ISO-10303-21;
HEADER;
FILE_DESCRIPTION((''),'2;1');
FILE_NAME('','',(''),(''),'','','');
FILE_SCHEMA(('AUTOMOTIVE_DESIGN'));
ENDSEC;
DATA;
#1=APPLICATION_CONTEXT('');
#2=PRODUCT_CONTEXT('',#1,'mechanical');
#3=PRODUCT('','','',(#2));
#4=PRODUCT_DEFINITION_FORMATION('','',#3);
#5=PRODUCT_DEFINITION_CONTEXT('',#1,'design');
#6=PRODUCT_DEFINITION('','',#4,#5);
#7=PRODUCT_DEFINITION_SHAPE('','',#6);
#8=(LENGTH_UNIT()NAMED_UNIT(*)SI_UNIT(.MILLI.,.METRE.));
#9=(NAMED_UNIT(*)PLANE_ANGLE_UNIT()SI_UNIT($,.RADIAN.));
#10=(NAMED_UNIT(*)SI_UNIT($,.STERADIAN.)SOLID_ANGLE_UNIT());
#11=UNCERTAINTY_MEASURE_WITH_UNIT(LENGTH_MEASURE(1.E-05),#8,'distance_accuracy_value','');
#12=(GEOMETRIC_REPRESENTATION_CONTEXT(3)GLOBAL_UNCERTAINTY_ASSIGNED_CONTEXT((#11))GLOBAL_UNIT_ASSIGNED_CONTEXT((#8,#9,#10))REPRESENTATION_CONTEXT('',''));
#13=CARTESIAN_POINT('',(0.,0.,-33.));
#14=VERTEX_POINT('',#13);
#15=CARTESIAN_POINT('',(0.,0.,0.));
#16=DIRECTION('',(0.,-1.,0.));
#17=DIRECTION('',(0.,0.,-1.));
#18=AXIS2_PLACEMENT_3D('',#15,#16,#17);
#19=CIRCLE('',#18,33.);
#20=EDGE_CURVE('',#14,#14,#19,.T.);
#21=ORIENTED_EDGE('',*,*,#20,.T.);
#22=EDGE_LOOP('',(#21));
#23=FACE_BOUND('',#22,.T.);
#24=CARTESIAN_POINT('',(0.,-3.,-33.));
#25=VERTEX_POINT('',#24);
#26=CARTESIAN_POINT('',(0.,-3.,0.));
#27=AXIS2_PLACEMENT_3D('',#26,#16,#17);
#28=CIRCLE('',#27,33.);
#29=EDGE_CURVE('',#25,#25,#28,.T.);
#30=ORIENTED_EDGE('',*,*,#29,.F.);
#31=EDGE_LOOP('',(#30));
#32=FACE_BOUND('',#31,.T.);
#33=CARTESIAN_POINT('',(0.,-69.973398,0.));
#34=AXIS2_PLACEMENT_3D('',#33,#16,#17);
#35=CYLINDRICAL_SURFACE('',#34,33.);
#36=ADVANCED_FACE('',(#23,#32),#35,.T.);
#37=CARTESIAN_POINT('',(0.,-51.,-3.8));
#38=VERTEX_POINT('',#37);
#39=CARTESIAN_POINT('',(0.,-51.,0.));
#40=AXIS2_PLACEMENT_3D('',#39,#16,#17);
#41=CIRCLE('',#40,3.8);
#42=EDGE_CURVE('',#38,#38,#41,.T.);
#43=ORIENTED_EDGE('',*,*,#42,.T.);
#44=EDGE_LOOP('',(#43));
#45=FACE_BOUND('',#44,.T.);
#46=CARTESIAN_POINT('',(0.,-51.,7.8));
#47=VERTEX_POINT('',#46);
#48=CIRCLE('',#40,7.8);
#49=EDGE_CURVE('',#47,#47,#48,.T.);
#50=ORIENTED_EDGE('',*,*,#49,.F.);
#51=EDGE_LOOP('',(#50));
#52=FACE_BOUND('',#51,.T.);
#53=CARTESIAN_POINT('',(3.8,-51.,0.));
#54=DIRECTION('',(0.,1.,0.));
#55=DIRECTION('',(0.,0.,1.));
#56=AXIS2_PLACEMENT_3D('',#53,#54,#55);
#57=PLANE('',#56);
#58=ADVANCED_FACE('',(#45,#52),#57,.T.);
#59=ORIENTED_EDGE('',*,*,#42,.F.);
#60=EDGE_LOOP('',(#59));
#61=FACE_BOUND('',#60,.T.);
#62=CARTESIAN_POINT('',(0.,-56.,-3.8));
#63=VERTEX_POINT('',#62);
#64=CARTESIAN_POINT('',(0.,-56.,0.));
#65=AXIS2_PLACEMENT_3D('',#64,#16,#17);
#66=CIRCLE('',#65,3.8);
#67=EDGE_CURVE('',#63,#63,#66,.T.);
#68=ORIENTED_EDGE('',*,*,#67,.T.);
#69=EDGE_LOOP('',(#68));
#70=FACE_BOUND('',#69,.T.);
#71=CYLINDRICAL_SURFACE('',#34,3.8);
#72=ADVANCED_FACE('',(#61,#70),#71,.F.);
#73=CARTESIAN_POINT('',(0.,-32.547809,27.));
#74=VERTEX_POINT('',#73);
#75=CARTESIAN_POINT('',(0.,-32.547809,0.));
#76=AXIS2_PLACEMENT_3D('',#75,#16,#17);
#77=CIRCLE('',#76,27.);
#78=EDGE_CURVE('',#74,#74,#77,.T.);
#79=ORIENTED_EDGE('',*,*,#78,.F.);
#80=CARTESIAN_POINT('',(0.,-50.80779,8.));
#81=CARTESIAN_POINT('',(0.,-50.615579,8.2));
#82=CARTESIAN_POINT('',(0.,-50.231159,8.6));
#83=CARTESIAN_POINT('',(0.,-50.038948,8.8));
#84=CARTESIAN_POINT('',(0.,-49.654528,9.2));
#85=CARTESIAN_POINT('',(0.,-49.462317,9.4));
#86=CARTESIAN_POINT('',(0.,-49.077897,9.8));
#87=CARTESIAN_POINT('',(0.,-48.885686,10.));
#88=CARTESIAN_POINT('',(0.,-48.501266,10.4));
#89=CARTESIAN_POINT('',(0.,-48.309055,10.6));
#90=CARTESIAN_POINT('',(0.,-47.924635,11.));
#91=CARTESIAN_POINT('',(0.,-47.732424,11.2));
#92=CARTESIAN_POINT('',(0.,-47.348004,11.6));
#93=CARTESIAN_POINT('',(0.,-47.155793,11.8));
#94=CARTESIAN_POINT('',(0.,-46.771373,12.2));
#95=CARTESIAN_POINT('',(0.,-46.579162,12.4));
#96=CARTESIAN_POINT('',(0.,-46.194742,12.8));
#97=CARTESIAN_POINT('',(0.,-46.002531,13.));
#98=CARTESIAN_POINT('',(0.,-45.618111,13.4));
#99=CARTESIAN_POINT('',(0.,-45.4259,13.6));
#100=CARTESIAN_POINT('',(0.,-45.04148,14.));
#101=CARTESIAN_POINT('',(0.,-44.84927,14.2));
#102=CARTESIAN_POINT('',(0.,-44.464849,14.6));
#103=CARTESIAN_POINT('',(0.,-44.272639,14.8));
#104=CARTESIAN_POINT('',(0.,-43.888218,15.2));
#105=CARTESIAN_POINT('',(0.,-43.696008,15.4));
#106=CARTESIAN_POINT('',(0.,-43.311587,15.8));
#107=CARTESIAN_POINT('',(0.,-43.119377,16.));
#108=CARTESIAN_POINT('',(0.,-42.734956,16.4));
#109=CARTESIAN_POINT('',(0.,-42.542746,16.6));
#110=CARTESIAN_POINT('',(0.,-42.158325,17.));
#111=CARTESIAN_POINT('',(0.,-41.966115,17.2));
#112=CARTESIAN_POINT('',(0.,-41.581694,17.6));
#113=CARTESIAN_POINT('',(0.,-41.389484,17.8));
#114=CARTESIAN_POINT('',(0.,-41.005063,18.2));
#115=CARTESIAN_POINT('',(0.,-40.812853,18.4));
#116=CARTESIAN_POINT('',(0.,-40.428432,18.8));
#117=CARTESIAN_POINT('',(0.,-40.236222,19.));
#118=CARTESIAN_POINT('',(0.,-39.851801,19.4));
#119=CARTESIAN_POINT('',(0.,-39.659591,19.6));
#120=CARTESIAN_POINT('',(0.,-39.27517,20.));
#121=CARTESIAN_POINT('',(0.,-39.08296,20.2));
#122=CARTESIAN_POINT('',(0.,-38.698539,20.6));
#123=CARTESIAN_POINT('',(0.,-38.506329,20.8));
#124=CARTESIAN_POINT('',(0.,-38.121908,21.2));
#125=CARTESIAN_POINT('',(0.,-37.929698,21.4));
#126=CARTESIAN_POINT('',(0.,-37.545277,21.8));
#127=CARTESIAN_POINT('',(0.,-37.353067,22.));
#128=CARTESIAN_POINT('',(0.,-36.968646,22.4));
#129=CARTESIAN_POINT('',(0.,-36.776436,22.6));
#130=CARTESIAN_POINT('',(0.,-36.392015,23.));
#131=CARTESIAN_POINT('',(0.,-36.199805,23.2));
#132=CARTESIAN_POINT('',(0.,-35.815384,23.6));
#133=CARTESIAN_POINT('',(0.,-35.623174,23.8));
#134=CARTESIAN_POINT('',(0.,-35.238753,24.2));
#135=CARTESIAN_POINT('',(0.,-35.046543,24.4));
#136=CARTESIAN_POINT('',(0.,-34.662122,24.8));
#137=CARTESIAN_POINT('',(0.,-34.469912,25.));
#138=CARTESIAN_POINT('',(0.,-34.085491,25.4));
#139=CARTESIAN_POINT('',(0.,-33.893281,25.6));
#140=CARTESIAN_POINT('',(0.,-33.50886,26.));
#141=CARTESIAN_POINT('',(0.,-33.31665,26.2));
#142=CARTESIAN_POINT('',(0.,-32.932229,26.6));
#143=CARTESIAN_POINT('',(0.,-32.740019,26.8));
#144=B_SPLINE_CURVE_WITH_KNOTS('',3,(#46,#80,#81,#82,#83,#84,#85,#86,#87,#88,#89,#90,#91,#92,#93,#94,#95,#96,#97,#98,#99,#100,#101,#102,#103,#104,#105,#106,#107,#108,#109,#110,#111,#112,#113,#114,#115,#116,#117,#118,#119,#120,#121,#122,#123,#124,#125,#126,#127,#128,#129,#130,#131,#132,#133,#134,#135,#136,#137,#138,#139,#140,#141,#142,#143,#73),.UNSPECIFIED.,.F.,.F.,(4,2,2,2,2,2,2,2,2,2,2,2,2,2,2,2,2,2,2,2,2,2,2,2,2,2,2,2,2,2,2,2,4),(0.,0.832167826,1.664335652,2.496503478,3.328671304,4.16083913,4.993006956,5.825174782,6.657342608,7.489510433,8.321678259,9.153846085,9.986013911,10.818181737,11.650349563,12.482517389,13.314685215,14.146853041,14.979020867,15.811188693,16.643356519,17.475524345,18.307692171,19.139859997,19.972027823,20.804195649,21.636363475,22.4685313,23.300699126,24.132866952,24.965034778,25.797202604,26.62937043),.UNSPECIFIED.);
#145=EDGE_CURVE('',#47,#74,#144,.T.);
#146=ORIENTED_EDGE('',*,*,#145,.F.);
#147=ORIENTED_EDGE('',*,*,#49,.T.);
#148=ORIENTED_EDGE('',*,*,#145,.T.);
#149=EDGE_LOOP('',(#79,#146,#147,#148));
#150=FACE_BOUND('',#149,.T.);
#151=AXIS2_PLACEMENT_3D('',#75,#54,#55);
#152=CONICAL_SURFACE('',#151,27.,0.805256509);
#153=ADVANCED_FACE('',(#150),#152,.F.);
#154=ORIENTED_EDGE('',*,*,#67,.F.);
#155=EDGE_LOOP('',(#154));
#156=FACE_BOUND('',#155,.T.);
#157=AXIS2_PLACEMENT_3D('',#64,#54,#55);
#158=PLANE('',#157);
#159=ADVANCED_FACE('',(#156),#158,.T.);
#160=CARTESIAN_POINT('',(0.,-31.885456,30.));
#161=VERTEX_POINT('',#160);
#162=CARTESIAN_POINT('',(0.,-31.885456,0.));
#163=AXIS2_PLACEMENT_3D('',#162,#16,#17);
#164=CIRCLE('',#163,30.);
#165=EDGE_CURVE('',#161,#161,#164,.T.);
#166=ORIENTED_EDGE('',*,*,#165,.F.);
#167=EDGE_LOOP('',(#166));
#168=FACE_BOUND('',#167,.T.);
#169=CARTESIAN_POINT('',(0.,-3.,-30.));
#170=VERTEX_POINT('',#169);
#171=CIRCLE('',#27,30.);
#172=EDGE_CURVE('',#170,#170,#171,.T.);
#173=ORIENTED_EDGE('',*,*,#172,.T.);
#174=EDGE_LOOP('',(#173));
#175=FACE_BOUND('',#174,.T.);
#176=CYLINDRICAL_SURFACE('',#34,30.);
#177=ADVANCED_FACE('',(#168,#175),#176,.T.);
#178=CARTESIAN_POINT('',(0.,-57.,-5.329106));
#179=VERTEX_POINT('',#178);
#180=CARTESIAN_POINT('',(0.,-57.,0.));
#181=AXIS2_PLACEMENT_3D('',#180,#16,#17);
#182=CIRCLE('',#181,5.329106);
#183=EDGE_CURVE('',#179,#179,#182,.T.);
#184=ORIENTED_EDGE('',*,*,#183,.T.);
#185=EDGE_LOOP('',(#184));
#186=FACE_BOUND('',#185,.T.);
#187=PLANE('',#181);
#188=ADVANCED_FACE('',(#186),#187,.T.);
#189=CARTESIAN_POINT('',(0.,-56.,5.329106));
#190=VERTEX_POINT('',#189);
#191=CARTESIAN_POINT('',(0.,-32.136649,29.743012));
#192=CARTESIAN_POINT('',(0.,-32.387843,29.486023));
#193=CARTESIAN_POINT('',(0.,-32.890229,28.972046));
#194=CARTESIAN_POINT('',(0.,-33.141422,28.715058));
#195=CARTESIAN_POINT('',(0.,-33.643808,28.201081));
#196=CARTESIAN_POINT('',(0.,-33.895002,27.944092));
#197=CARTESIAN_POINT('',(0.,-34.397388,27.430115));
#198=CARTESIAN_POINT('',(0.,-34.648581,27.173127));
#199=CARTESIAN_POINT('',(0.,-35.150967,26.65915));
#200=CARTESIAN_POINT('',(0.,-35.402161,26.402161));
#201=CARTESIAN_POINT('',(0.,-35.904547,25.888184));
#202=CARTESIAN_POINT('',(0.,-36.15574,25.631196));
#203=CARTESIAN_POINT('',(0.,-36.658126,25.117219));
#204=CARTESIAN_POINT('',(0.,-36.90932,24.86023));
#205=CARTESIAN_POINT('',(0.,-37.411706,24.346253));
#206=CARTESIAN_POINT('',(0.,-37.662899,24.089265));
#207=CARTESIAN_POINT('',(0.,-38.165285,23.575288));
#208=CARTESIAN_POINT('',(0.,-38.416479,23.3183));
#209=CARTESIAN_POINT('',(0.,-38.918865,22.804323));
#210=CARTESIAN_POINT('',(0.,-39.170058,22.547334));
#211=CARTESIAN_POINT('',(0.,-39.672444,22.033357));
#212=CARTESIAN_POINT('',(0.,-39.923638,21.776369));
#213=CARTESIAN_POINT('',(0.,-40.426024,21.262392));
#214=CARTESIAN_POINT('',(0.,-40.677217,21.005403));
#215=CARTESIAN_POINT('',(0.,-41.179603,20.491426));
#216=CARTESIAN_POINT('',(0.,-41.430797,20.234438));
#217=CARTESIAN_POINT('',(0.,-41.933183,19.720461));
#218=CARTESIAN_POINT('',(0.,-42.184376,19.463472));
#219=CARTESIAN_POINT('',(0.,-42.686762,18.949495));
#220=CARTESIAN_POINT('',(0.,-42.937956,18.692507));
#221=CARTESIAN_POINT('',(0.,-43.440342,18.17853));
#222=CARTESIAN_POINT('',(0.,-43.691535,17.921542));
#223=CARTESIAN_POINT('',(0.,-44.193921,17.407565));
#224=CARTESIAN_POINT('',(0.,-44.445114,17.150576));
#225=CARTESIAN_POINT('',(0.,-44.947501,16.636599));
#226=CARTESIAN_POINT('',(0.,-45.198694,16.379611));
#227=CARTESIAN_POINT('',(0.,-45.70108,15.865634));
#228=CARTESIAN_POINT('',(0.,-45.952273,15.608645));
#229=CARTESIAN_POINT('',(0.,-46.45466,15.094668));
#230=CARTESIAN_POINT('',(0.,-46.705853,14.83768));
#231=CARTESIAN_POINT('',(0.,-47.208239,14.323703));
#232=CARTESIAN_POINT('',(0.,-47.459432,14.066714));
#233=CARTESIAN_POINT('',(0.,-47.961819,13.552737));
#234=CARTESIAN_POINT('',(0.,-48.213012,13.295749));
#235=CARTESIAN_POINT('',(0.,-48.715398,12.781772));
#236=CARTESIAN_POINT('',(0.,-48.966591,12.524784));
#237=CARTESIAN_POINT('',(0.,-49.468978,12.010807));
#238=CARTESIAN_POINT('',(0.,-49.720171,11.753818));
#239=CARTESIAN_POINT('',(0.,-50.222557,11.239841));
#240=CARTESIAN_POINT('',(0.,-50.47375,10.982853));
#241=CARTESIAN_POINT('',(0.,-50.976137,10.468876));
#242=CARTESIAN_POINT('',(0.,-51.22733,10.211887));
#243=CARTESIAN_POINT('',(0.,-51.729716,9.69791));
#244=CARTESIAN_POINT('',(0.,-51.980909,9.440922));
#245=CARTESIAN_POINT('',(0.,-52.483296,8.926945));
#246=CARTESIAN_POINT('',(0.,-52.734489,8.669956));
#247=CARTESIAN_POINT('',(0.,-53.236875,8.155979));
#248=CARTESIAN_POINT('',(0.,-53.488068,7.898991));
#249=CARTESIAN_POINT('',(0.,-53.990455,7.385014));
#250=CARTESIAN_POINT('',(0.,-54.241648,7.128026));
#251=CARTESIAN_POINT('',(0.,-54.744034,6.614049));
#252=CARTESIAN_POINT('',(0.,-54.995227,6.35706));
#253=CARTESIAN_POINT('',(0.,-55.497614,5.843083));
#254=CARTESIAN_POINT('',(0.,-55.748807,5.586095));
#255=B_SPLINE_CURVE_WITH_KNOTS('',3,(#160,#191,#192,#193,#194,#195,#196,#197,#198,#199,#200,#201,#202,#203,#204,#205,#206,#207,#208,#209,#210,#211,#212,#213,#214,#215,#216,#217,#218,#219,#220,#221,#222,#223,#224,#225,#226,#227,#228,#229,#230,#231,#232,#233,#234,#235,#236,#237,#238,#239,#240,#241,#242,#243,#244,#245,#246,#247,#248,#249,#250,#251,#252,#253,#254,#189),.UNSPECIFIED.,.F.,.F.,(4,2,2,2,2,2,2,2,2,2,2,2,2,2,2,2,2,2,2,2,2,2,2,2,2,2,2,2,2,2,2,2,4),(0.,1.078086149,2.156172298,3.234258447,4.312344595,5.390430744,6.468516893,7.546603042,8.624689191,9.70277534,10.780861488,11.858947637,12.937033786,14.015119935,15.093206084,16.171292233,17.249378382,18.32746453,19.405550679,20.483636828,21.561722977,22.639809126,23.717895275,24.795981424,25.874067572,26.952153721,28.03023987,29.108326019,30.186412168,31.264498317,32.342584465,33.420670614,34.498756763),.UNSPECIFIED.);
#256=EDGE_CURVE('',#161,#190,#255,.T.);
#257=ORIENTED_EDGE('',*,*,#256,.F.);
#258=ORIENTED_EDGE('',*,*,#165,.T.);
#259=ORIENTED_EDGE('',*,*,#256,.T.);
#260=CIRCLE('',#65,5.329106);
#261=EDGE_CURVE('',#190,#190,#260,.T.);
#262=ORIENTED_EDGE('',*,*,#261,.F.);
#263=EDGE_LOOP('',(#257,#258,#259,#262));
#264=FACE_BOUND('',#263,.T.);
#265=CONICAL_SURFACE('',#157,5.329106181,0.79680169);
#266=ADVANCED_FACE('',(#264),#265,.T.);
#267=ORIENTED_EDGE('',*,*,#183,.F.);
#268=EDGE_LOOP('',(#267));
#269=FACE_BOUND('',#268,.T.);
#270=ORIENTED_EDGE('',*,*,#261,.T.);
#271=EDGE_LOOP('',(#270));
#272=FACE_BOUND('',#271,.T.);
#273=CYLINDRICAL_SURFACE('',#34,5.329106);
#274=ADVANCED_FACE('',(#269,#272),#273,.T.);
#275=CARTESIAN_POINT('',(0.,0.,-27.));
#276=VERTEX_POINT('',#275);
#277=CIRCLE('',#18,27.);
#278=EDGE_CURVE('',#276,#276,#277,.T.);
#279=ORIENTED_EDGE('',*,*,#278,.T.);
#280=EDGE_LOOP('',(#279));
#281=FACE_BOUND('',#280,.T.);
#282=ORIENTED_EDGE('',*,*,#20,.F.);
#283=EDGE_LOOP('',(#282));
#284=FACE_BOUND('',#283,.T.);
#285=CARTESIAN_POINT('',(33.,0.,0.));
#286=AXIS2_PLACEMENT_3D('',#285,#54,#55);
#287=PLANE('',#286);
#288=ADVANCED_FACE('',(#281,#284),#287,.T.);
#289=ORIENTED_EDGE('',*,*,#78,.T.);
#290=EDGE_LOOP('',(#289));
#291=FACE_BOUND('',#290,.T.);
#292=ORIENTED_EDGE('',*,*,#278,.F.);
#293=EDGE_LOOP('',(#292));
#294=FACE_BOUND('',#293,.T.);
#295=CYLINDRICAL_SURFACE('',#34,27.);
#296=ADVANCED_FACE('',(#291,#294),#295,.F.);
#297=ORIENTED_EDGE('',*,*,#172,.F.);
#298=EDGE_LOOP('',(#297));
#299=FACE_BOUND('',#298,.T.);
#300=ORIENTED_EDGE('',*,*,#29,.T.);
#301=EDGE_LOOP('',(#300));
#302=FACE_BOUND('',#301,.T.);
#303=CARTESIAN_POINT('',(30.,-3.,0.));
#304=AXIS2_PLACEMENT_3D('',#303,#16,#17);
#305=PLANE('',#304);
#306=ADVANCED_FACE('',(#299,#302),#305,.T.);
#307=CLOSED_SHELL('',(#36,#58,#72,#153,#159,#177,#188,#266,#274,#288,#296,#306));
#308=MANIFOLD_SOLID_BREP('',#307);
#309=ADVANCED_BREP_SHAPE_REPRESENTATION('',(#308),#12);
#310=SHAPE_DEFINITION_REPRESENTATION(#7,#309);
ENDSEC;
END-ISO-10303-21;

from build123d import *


with BuildPart() as part:
    # 草图1 → 旋转2 (revolve)
    with BuildSketch(Plane.XY, mode=Mode.PRIVATE) as revolve_2_sk:
        Polygon((0, -57), (5.329106181, -57), (5.329106181, -56), (30, -31.885456331), (30, -3), (33, -3), (33, 0), (27, 0), (27, -32.547808545), (7.8, -51), (3.8, -51), (3.8, -56), (0, -56), align=None)
    revolve(revolve_2_sk.sketch.rotate(Axis((0, -69.973397686, 0), (0, 1, 0)), 90), axis=Axis((0, -69.973397686, 0), (0, 1, 0)))


solid = part.part
